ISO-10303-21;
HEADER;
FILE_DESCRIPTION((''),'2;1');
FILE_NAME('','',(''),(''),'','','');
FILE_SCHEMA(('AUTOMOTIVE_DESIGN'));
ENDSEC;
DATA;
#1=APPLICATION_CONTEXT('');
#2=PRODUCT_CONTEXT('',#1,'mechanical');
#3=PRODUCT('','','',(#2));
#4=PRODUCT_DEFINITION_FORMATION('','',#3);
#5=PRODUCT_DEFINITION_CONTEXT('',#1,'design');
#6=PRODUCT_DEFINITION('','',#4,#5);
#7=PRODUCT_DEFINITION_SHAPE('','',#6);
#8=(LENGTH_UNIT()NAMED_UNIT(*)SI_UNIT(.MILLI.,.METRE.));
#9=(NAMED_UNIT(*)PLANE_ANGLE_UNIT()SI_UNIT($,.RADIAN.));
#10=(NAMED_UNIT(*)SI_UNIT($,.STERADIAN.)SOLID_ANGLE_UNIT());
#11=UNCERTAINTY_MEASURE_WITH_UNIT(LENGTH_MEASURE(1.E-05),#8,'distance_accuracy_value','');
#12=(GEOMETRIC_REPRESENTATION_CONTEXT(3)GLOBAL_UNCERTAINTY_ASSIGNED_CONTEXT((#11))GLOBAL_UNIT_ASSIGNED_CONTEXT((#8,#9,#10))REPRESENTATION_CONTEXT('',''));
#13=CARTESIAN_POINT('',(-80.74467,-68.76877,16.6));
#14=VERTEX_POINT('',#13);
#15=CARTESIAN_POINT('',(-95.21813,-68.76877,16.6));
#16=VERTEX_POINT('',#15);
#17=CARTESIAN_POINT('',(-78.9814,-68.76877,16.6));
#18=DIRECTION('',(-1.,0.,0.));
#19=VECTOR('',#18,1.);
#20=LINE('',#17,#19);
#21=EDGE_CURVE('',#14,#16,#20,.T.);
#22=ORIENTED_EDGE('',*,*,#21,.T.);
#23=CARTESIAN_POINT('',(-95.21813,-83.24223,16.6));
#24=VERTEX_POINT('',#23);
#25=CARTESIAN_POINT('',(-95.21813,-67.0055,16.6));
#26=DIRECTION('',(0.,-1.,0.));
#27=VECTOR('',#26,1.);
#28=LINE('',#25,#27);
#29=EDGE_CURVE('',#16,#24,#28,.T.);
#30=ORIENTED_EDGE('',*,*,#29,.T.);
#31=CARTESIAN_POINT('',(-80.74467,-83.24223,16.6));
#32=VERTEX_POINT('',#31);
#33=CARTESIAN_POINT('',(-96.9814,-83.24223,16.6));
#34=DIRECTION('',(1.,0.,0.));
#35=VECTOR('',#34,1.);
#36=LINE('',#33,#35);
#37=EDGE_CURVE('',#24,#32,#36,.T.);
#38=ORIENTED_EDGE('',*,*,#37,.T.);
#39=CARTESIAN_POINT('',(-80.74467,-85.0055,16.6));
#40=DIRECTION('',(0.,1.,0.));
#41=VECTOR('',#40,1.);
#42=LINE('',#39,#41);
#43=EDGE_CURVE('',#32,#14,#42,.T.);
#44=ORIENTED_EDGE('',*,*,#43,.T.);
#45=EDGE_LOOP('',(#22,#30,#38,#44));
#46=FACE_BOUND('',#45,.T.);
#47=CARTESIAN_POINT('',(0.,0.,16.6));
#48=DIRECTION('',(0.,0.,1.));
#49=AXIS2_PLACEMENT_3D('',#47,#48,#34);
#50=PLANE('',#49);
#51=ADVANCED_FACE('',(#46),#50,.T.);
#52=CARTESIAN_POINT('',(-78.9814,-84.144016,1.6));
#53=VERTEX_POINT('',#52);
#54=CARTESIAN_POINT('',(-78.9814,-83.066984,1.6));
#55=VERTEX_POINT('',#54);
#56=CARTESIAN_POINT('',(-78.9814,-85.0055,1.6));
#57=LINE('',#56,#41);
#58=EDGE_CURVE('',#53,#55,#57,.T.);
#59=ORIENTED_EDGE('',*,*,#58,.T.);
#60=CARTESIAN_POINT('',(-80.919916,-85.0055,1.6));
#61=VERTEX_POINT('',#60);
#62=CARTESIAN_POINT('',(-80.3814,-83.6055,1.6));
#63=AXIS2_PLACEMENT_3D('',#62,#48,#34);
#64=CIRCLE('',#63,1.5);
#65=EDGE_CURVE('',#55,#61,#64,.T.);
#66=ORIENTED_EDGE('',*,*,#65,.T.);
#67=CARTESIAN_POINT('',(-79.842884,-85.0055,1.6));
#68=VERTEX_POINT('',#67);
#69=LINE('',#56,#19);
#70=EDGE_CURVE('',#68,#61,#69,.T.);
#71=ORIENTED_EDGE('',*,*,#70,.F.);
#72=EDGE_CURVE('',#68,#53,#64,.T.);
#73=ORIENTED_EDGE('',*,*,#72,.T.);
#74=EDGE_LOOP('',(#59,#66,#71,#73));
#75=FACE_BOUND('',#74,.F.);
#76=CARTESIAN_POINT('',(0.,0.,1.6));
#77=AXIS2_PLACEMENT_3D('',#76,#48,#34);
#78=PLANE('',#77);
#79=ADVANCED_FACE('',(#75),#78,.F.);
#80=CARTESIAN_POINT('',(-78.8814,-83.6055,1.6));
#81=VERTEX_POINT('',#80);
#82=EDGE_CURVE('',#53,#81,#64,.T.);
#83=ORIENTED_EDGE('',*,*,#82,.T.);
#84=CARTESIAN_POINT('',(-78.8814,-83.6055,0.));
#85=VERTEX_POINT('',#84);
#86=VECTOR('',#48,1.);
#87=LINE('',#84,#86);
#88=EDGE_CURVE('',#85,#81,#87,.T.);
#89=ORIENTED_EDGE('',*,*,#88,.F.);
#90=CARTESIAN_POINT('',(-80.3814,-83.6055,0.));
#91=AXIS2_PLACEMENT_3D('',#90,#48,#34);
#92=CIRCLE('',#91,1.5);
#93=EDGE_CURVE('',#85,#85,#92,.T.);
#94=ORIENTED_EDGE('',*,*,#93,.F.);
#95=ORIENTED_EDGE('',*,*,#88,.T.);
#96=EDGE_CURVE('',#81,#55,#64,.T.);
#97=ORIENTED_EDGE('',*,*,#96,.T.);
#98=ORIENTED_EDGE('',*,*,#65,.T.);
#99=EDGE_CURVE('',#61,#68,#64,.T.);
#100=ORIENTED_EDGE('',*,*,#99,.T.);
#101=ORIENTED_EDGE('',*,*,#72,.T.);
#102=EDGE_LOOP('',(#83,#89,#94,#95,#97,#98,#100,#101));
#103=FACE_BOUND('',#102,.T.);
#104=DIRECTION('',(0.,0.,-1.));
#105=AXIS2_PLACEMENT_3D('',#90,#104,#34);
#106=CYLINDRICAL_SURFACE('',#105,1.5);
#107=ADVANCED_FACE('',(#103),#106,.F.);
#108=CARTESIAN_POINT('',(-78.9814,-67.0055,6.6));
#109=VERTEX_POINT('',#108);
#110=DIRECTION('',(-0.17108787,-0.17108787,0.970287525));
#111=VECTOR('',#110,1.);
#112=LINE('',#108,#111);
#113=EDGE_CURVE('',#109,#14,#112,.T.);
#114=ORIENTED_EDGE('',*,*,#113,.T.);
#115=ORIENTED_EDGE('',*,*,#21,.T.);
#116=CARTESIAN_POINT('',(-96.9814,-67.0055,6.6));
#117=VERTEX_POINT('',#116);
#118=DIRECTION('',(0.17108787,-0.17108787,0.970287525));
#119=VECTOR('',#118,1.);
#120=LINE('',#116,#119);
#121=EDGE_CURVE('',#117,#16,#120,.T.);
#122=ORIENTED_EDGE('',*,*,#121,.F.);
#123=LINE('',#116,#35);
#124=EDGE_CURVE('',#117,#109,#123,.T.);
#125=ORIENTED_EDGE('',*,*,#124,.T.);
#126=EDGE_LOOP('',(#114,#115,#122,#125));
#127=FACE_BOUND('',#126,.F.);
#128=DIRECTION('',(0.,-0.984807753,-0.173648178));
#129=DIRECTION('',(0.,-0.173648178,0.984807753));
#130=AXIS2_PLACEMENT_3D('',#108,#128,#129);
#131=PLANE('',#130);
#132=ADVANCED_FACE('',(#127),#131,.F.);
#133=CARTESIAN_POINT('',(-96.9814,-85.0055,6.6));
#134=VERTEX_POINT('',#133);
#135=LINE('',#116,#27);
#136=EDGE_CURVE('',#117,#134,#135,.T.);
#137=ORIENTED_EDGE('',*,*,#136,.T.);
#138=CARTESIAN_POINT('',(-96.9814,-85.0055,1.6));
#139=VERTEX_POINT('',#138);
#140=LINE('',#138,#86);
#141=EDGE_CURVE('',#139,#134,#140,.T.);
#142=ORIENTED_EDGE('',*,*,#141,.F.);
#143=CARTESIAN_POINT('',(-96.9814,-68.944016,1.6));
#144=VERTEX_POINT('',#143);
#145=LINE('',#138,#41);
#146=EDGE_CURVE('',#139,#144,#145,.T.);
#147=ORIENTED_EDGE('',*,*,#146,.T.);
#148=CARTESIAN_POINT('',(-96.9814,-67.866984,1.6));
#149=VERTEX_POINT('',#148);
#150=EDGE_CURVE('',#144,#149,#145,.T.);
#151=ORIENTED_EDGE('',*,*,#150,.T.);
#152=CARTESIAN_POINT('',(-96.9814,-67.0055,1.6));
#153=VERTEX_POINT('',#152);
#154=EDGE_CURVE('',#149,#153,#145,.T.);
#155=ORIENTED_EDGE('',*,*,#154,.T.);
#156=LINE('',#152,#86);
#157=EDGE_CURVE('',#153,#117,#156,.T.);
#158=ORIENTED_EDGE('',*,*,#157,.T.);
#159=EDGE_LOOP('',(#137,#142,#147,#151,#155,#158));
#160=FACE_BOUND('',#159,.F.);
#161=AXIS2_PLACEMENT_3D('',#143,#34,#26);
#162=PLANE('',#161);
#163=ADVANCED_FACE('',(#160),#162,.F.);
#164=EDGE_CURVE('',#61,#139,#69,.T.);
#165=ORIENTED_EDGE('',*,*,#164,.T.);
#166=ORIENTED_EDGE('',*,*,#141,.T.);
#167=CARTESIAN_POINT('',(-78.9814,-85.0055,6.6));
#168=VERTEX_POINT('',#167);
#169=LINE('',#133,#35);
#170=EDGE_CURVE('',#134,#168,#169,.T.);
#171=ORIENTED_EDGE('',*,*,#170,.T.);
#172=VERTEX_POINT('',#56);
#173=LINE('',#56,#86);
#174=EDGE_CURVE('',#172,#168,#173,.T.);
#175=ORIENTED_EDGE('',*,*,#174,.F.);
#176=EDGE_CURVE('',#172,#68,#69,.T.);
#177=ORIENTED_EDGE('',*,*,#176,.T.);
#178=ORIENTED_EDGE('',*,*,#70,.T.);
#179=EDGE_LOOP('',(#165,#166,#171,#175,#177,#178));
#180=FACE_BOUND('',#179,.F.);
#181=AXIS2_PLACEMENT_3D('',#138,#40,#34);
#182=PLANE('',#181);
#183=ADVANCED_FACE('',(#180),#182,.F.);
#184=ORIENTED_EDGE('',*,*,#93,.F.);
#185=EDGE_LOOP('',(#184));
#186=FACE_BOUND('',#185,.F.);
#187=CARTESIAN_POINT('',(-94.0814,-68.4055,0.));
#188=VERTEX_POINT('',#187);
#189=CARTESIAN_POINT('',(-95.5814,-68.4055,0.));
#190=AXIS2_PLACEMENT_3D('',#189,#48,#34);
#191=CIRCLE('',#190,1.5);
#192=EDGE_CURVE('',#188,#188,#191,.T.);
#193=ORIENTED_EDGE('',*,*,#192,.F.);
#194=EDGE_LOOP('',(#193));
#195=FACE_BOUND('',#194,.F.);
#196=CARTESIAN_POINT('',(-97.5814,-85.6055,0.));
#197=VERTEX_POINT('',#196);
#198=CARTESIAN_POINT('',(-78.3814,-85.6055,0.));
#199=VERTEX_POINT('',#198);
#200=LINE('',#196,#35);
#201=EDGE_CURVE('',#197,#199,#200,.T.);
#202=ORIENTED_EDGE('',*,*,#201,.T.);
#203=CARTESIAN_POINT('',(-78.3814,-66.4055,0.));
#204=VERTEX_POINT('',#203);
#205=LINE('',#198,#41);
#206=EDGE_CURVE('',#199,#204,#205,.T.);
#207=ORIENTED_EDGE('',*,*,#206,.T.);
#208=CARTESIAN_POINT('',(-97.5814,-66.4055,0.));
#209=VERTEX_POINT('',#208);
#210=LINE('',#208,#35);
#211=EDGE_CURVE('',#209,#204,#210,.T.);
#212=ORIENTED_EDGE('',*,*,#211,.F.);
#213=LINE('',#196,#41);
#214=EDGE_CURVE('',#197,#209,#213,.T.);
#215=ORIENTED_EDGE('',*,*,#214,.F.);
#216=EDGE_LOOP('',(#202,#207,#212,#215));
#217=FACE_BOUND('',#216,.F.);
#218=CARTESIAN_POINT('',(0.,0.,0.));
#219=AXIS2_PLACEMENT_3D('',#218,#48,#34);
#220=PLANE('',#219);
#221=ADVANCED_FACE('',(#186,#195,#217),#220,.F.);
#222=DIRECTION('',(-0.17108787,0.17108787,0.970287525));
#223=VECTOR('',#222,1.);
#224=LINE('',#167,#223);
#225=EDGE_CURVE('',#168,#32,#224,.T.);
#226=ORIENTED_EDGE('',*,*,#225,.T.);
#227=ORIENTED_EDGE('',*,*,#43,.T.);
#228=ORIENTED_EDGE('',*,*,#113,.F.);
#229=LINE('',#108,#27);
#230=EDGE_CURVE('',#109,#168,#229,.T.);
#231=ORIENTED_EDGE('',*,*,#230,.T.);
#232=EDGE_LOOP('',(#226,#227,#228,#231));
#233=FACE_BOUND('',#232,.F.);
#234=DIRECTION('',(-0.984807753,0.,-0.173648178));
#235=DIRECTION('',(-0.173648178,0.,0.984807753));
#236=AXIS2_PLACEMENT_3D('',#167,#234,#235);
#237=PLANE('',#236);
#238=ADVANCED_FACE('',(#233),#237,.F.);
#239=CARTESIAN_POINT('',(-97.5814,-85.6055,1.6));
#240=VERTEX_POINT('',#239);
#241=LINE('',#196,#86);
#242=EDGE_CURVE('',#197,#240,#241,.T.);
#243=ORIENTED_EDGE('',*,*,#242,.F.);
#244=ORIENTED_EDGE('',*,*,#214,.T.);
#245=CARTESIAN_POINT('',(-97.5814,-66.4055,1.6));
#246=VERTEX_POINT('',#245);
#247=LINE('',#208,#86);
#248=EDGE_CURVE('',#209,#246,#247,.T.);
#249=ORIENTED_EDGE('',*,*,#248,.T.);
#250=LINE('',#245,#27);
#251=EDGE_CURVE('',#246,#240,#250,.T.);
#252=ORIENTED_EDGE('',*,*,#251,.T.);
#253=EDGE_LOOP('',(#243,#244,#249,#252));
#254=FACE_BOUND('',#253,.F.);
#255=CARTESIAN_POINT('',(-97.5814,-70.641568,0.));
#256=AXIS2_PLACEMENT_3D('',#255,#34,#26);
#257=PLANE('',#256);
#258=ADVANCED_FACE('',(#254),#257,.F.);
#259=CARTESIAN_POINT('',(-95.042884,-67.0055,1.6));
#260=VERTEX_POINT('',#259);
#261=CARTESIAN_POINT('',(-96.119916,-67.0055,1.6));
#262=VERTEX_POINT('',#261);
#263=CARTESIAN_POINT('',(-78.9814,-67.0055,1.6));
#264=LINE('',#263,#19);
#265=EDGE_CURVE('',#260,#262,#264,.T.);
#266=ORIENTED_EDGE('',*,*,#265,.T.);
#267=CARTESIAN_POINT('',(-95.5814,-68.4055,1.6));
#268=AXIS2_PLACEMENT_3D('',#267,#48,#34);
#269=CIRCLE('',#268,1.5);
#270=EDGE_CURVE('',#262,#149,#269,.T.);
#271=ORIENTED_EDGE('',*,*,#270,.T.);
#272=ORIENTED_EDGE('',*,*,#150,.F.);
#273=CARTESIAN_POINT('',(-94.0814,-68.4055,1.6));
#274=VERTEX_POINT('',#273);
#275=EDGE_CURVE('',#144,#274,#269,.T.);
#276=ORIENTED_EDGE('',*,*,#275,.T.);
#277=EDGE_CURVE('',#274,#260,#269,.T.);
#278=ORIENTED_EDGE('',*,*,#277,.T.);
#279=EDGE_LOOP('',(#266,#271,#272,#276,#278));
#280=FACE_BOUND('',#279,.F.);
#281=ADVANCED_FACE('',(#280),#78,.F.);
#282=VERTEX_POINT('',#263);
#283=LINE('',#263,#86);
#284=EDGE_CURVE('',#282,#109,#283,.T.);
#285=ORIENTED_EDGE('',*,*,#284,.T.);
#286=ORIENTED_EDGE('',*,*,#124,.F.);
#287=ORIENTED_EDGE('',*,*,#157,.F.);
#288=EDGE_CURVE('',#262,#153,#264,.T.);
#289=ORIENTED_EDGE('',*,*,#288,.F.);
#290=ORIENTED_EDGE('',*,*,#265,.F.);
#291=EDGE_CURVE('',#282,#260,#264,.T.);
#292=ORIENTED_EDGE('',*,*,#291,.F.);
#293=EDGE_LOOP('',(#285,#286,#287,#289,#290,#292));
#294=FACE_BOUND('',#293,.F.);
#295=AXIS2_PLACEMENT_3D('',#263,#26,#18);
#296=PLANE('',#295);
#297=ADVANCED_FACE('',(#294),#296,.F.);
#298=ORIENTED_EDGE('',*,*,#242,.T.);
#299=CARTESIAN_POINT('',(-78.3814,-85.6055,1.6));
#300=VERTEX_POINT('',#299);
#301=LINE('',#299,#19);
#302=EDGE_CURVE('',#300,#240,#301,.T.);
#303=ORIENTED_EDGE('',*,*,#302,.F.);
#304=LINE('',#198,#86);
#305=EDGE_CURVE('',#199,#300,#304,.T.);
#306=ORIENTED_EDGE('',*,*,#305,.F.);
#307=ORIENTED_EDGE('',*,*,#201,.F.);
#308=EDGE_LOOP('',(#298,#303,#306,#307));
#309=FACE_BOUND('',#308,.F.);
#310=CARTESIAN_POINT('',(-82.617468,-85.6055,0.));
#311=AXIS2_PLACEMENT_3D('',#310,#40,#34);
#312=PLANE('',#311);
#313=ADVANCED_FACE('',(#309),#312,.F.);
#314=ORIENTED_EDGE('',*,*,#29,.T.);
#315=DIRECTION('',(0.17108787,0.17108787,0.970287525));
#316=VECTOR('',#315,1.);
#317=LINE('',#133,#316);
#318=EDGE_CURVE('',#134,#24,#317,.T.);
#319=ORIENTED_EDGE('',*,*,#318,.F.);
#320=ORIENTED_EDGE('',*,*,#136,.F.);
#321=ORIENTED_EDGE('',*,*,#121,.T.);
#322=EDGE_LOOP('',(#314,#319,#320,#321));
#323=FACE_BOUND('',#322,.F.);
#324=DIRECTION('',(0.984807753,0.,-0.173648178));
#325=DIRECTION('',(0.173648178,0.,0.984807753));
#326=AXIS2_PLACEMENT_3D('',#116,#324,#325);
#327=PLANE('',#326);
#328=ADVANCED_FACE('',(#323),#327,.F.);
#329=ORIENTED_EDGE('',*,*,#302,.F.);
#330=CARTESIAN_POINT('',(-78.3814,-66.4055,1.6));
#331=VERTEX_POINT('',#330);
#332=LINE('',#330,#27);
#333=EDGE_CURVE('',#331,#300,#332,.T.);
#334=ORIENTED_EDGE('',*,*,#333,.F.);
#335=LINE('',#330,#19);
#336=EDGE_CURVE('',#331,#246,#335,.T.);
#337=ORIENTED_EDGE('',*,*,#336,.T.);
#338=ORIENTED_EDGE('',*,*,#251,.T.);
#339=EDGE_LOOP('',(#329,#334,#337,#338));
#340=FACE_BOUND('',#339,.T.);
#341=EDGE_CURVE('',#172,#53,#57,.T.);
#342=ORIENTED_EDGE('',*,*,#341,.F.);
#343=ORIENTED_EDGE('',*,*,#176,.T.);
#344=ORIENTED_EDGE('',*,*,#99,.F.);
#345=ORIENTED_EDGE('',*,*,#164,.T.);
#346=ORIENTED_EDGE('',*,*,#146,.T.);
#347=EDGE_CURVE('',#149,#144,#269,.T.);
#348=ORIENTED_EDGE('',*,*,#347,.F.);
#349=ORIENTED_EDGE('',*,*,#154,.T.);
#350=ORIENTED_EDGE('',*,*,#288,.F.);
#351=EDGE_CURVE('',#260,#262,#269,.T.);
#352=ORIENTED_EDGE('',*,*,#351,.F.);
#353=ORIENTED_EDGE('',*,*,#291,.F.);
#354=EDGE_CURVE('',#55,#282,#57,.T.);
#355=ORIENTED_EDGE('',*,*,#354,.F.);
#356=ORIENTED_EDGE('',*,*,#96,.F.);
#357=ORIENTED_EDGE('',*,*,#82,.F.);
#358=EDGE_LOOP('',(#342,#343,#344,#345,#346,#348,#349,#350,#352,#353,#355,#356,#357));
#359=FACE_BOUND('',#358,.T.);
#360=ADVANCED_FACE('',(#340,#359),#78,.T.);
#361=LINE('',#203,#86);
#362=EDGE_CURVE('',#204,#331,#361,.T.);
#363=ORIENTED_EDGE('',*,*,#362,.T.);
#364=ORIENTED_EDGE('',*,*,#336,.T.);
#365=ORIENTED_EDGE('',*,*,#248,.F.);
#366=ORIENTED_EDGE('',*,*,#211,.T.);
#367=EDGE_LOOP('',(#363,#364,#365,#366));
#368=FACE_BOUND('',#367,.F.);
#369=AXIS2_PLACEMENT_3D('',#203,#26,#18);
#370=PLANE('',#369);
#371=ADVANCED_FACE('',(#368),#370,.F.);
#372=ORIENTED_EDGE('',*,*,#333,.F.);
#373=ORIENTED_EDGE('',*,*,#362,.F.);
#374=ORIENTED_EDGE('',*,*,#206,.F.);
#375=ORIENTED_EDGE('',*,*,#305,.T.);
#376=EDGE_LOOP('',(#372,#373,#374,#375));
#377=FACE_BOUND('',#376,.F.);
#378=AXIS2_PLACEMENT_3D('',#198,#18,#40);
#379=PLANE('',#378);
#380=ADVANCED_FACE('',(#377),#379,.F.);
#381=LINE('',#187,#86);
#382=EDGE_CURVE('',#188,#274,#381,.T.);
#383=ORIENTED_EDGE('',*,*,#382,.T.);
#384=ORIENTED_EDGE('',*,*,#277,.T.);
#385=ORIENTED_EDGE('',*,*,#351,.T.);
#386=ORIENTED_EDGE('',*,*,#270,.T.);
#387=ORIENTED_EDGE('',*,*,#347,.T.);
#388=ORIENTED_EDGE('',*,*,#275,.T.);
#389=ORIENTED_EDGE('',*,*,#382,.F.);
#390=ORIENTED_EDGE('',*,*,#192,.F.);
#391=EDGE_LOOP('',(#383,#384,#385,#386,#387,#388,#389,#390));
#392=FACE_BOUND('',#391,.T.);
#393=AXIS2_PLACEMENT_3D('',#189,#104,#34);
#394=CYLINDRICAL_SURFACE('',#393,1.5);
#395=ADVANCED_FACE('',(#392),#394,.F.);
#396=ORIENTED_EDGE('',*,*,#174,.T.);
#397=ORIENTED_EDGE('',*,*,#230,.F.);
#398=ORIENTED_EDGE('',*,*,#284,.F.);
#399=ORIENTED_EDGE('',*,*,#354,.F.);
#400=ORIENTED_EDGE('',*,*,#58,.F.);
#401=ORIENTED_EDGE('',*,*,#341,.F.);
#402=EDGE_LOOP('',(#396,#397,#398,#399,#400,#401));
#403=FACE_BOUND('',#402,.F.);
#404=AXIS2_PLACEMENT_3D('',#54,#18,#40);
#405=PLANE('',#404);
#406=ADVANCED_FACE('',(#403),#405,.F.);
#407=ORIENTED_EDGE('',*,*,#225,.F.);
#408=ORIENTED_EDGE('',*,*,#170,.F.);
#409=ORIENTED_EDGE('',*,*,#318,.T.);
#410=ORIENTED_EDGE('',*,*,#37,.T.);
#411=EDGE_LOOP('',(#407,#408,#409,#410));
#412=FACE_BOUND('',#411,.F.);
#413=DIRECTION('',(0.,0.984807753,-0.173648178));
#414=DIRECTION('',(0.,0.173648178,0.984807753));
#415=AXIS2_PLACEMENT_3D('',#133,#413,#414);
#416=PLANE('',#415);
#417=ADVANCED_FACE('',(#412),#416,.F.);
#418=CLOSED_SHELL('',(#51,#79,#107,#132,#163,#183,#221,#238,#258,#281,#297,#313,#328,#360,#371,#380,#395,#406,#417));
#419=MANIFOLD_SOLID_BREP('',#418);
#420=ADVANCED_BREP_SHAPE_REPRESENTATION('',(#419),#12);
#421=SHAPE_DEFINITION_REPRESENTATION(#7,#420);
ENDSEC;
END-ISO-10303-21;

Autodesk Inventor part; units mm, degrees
ref_plane "YZ Plane" through (0, 0, 0) normal (1, 0, 0) x (0, 1, 0)
ref_plane "XZ Plane" through (0, 0, 0) normal (0, 1, 0) x (-1, 0, 0)
ref_plane "XY Plane" through (0, 0, 0) normal (0, 0, 1) x (1, 0, 0)
sketch "스케치1" plane through (0, 0, 0) normal (0, 0, 1) x (1, 0, 0)
  circle A0 centre (-80.3814, -83.6055) radius 3 projected
  circle A1 centre (-80.3814, -83.6055) radius 1.5 projected
  circle A2 centre (-95.5814, -68.4055) radius 3 projected
  circle A3 centre (-95.5814, -68.4055) radius 1.5 projected
  line L0 (-78.3814, -66.4055) -> (-97.5814, -66.4055)
  line L1 (-97.5814, -66.4055) -> (-97.5814, -85.6055)
  line L2 (-97.5814, -85.6055) -> (-78.3814, -85.6055)
  line L3 (-78.3814, -85.6055) -> (-78.3814, -66.4055)
  point P0 (0, 0)
  dimension "d0" = 19.2
  dimension "d1" = 19.2
  dimension "d2" = 2
  dimension "d3" = 2
extrude "돌출1" add sketch "스케치1" along normal blind 1.6 contours L3 L2 A0 | A0 L2 L1 A2 L0 L3 | A2 L1 L0 picked at (-80.5204, -85.4352) picked at (-95.563, -66.5758)
sketch "스케치2" plane through (0, 0, 1.6) normal (0, 0, 1) x (1, 0, 0)
  line L0 (-78.9814, -67.0055) -> (-96.9814, -67.0055)
  line L1 (-96.9814, -67.0055) -> (-96.9814, -85.0055)
  line L2 (-96.9814, -85.0055) -> (-78.9814, -85.0055)
  line L3 (-78.9814, -85.0055) -> (-78.9814, -67.0055)
  line L4 (-97.5814, -85.6055) -> (-78.3814, -85.6055) projected
  line L5 (-78.3814, -85.6055) -> (-78.3814, -66.4055) projected
  line L6 (-78.3814, -66.4055) -> (-97.5814, -66.4055) projected
  line L7 (-97.5814, -66.4055) -> (-97.5814, -85.6055) projected
  circle A0 centre (-80.3814, -83.6055) radius 1.5 projected
  circle A1 centre (-95.5814, -68.4055) radius 1.5 projected
  point P0 (0, 0)
  dimension "d6" = 18
  dimension "d7" = 18
  dimension "d8" = 19.2
  dimension "d9" = 0.6
  dimension "d10" = 0.6
extrude "돌출2" add sketch "스케치2" along normal blind 5 contours L3 A0 L2 L1 A1 L0 | A1 L1 L0 | L3 A0 L2 | A1 L1 L0 | L3 L2 A0
sketch "스케치3" plane through (0, 0, 6.6) normal (0, 0, 1) x (1, 0, 0)
  line L0 (-96.9814, -85.0055) -> (-78.9814, -85.0055) projected
  line L1 (-78.9814, -85.0055) -> (-78.9814, -67.0055) projected
  line L2 (-78.9814, -67.0055) -> (-96.9814, -67.0055) projected
  line L3 (-96.9814, -67.0055) -> (-96.9814, -85.0055) projected
  point P0 (0, 0)
extrude "돌출3" add sketch "스케치3" along normal blind 10 draft -10
properties part number "KeySwitch"
